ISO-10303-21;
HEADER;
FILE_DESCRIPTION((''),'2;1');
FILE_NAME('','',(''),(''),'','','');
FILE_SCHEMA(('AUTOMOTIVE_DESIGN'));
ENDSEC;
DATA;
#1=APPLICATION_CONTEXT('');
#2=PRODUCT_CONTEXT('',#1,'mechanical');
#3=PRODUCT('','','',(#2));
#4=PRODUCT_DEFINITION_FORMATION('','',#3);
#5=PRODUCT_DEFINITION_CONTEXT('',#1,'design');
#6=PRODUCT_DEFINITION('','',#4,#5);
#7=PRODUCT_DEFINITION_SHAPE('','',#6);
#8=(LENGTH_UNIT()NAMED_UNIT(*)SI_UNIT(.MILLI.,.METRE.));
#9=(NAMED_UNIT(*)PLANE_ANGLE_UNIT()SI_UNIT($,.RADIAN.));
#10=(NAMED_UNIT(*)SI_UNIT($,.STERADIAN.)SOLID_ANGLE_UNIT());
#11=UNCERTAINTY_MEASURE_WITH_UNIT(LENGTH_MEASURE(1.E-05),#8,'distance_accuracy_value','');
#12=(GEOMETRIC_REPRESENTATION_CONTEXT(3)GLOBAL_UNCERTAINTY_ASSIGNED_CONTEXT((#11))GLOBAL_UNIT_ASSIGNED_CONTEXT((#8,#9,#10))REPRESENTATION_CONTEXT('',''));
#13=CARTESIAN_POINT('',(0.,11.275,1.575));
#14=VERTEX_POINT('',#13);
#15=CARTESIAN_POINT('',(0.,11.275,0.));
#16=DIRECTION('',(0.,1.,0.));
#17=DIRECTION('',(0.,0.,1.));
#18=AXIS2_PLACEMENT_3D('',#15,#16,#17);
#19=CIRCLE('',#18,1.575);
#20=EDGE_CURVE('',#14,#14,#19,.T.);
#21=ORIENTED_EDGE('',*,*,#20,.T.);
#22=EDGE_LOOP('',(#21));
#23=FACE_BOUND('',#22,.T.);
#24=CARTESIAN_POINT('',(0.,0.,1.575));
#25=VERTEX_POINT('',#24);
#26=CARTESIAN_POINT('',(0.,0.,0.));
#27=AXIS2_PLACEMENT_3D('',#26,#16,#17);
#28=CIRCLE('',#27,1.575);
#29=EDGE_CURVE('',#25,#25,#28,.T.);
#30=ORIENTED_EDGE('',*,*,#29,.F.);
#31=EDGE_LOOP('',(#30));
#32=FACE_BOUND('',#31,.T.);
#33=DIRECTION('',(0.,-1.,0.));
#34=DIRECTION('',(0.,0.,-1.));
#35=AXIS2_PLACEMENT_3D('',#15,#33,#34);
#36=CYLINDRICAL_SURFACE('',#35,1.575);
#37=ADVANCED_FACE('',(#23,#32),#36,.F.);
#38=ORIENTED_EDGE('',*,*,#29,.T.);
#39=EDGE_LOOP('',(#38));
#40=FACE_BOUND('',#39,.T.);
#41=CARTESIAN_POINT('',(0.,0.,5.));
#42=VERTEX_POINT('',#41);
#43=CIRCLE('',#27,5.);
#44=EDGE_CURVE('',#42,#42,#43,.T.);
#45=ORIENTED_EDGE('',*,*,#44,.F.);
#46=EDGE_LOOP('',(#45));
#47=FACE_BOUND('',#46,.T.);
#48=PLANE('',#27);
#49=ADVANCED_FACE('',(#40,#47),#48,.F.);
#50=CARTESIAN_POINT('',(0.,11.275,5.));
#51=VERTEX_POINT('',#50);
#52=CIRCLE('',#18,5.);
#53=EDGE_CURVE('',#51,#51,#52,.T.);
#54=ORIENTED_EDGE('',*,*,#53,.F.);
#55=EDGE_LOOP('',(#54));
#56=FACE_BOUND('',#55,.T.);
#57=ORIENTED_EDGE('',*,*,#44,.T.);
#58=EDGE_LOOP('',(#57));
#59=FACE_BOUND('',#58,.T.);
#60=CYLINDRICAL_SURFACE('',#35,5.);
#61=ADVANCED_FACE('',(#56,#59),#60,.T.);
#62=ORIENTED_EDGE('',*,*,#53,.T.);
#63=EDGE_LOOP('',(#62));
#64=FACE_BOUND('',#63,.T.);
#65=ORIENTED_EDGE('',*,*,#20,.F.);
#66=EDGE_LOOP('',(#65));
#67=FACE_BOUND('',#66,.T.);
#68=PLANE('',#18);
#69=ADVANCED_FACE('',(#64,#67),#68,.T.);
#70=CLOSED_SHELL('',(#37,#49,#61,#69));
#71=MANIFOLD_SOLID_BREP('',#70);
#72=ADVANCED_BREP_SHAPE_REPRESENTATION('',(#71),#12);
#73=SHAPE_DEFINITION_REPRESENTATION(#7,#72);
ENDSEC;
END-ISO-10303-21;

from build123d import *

# Parameters (mm, degrees)
SKETCH1_R           = 5
SKETCH1_R_2         = 1.575
BOSS_EXTRUDE1_DEPTH = 11.275


with BuildPart() as part:
    # Sketch1 → Boss-Extrude1 (new body)
    with BuildSketch(Plane(origin=(0, 0, 0), x_dir=(1, 0, 0), z_dir=(0, 1, 0))):
        with Locations(Location((0, 0, 0), (0, 0, 270))):
            Circle(SKETCH1_R)
        with Locations(Location((0, 0, 0), (0, 0, 270))):
            Circle(SKETCH1_R_2, mode=Mode.SUBTRACT)
    extrude(amount=BOSS_EXTRUDE1_DEPTH)


solid = part.part
